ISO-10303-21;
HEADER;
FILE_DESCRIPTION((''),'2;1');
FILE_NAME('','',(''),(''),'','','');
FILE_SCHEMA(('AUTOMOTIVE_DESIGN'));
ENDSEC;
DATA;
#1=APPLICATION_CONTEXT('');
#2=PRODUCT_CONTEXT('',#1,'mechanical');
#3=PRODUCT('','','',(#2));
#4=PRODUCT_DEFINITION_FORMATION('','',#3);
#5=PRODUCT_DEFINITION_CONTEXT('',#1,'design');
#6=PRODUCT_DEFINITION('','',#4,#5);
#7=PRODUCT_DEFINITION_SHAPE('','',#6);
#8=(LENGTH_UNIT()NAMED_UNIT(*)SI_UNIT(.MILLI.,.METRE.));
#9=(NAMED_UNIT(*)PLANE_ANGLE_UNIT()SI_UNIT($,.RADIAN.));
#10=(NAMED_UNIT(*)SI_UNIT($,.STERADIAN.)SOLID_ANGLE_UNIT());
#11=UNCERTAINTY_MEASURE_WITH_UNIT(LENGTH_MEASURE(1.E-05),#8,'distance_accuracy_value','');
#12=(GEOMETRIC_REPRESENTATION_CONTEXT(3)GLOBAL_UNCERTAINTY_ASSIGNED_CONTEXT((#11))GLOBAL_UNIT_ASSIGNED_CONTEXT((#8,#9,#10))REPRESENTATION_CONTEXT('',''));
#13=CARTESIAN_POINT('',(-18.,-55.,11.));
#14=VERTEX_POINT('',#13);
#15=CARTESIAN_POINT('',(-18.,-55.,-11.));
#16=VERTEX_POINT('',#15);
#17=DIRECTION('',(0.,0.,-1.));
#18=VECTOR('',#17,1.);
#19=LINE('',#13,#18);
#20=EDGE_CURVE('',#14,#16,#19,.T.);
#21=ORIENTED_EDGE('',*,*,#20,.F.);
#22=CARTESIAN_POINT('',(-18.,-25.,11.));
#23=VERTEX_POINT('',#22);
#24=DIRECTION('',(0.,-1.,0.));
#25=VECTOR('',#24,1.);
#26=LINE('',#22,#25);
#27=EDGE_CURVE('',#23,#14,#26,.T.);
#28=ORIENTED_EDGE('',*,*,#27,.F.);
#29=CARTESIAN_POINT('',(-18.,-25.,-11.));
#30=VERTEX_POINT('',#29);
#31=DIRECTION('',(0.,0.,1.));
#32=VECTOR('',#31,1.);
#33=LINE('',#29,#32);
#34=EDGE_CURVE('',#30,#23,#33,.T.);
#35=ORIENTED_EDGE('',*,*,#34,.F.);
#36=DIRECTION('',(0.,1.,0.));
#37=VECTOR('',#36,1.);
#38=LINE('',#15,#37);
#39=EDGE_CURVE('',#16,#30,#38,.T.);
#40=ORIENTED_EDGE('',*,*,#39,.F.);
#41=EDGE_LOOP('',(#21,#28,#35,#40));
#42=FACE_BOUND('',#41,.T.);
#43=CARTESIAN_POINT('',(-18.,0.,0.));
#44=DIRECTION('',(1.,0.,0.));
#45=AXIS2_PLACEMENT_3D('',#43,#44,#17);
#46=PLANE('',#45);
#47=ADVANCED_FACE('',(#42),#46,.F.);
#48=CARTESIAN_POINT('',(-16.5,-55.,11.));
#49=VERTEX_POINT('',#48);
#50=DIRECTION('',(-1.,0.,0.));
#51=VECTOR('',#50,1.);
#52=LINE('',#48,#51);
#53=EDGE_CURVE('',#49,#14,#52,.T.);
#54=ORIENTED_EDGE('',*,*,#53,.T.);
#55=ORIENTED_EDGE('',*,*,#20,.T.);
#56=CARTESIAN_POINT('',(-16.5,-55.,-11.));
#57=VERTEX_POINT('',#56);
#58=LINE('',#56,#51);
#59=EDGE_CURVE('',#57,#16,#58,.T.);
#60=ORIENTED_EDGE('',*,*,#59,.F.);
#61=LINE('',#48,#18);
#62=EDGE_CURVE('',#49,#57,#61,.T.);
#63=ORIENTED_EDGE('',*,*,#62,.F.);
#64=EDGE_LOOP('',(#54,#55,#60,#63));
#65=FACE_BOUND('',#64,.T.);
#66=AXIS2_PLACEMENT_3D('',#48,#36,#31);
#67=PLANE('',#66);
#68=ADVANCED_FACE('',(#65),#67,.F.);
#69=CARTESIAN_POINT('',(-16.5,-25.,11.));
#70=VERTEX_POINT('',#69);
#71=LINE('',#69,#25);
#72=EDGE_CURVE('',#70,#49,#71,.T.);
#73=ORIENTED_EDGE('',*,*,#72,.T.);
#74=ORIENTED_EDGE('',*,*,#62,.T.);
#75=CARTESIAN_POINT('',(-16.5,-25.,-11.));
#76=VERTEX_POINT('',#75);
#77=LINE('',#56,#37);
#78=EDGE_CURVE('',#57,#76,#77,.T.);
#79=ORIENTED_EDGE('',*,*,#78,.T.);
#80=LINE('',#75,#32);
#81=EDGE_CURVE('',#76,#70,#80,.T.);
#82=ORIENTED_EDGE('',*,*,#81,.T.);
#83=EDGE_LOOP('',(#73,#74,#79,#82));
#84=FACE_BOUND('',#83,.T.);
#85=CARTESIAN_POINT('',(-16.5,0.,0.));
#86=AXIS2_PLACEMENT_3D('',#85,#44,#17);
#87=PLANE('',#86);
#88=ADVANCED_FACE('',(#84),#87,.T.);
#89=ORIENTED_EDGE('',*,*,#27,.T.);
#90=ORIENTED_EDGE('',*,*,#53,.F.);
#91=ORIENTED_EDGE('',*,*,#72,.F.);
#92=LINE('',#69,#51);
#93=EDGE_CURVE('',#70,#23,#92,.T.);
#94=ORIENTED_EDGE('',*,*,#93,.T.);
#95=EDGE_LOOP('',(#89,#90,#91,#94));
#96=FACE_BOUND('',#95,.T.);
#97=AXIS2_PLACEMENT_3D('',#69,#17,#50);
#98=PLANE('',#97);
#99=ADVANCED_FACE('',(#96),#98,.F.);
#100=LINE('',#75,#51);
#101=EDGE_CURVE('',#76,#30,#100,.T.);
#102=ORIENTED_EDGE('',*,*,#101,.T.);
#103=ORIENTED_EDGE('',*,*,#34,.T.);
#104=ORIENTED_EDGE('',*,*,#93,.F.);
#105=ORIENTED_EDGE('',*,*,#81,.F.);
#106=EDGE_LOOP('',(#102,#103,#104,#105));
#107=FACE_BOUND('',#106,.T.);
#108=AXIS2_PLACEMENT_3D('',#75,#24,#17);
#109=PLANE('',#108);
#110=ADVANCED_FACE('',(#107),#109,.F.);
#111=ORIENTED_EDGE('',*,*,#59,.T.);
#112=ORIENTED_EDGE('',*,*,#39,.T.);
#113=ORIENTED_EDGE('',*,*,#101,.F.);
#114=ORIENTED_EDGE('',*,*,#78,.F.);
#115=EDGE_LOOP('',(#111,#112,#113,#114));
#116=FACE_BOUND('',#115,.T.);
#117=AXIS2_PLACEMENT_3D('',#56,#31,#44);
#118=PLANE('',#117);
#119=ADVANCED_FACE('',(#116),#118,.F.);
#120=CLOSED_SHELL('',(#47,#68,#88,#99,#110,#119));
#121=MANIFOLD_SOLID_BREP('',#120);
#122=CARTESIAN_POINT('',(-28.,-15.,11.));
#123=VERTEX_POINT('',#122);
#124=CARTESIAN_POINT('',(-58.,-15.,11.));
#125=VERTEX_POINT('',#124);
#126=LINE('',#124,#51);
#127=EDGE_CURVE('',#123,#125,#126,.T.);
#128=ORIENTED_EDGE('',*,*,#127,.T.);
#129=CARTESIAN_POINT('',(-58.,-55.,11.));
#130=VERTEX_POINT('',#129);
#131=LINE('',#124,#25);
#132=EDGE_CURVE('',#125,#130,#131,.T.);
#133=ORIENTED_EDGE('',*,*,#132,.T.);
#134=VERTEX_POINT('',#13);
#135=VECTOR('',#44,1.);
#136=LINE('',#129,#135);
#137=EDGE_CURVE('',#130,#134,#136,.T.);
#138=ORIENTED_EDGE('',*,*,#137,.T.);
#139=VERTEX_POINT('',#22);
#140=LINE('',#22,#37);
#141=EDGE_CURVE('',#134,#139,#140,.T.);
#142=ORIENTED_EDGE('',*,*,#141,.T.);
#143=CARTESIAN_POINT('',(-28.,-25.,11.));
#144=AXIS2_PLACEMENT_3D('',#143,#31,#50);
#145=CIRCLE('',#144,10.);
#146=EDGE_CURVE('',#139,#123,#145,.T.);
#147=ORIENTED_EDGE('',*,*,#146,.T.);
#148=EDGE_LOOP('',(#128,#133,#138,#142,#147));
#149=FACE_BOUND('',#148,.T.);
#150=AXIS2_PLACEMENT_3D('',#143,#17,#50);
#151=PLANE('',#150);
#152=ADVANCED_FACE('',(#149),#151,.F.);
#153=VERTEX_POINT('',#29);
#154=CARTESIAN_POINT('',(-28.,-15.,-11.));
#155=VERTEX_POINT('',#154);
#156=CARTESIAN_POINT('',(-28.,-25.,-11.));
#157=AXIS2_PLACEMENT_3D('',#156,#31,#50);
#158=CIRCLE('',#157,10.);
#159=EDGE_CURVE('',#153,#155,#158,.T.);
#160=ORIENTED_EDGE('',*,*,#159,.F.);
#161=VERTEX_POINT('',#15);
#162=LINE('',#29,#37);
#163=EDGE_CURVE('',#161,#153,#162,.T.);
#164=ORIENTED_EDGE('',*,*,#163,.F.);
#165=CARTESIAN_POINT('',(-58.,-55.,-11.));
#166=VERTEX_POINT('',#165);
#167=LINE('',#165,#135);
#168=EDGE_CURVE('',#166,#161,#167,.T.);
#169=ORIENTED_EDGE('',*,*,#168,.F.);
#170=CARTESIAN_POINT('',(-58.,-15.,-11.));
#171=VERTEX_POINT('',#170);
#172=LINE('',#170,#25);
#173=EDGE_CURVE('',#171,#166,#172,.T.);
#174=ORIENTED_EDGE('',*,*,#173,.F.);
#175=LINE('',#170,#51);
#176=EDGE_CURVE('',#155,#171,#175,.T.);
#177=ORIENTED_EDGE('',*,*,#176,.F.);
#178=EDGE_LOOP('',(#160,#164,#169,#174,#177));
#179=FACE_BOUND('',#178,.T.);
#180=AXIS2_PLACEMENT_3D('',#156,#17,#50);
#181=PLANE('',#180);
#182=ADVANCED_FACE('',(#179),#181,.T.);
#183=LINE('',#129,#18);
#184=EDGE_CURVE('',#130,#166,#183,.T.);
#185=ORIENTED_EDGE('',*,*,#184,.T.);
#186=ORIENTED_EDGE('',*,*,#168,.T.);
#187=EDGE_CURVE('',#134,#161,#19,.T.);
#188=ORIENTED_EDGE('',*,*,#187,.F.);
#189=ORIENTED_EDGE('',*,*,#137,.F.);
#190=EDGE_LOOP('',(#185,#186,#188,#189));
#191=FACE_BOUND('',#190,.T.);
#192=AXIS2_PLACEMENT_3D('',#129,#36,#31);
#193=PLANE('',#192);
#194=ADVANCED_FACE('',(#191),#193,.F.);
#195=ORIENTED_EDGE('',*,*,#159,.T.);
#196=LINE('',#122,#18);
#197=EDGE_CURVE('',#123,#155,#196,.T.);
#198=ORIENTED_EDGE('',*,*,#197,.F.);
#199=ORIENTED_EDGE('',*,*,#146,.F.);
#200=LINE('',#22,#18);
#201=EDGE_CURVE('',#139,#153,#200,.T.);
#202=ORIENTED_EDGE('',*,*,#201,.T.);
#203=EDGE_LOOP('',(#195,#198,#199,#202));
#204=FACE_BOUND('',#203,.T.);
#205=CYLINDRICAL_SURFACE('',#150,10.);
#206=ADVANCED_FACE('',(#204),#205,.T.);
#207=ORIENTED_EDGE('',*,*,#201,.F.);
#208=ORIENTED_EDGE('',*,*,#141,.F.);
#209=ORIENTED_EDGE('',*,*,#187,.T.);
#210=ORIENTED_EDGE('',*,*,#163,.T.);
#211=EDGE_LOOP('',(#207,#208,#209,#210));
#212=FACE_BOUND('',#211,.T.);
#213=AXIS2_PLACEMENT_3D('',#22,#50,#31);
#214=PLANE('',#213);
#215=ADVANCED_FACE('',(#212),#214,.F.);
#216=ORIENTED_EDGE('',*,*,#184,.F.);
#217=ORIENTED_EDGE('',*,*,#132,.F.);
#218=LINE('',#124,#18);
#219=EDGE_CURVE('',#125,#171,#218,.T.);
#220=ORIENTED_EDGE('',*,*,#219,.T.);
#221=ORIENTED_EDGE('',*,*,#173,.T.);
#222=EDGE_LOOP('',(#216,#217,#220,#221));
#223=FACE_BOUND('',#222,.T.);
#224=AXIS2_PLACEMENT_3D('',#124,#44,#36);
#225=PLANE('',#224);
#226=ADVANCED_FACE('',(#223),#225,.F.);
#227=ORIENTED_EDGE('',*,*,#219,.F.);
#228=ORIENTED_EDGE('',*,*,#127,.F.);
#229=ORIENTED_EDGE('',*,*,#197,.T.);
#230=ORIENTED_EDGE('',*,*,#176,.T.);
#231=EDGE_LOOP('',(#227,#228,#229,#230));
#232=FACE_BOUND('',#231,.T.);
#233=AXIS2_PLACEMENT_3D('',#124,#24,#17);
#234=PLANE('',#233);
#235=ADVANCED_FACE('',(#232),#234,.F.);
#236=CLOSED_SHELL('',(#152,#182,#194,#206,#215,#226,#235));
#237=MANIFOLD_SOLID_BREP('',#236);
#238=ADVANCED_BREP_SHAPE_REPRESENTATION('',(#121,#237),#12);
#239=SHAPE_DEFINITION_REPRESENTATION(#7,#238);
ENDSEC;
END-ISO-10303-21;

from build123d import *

# Parameters (mm, degrees)
BOSS_EXTRU_1_DEPTH = 11
ESQUISSE2_W        = 22
ESQUISSE2_H        = 30
BOSS_EXTRU_2_DEPTH = 1.5


with BuildPart() as part:
    # Esquisse1 → Boss.-Extru.1 (new, symmetric)
    with BuildSketch(Plane.XY):
        with BuildLine():
            Line((-58, -15), (-28, -15))
            ThreePointArc((-28, -15), (-20.928932188, -17.928932188), (-18, -25))
            Line((-18, -25), (-18, -55))
            Line((-18, -55), (-58, -55))
            Line((-58, -55), (-58, -15))
        make_face()
    extrude(amount=BOSS_EXTRU_1_DEPTH, both=True)


with BuildPart() as body_2:
    # Esquisse2 → Boss.-Extru.2 (new body)
    with BuildSketch(Plane(origin=(-18, 0, 0), x_dir=(0, 0, -1), z_dir=(1, 0, 0))):
        with Locations((0, -40)):
            Rectangle(ESQUISSE2_W, ESQUISSE2_H)
    extrude(amount=BOSS_EXTRU_2_DEPTH)


solid = Compound([part.part, body_2.part])
